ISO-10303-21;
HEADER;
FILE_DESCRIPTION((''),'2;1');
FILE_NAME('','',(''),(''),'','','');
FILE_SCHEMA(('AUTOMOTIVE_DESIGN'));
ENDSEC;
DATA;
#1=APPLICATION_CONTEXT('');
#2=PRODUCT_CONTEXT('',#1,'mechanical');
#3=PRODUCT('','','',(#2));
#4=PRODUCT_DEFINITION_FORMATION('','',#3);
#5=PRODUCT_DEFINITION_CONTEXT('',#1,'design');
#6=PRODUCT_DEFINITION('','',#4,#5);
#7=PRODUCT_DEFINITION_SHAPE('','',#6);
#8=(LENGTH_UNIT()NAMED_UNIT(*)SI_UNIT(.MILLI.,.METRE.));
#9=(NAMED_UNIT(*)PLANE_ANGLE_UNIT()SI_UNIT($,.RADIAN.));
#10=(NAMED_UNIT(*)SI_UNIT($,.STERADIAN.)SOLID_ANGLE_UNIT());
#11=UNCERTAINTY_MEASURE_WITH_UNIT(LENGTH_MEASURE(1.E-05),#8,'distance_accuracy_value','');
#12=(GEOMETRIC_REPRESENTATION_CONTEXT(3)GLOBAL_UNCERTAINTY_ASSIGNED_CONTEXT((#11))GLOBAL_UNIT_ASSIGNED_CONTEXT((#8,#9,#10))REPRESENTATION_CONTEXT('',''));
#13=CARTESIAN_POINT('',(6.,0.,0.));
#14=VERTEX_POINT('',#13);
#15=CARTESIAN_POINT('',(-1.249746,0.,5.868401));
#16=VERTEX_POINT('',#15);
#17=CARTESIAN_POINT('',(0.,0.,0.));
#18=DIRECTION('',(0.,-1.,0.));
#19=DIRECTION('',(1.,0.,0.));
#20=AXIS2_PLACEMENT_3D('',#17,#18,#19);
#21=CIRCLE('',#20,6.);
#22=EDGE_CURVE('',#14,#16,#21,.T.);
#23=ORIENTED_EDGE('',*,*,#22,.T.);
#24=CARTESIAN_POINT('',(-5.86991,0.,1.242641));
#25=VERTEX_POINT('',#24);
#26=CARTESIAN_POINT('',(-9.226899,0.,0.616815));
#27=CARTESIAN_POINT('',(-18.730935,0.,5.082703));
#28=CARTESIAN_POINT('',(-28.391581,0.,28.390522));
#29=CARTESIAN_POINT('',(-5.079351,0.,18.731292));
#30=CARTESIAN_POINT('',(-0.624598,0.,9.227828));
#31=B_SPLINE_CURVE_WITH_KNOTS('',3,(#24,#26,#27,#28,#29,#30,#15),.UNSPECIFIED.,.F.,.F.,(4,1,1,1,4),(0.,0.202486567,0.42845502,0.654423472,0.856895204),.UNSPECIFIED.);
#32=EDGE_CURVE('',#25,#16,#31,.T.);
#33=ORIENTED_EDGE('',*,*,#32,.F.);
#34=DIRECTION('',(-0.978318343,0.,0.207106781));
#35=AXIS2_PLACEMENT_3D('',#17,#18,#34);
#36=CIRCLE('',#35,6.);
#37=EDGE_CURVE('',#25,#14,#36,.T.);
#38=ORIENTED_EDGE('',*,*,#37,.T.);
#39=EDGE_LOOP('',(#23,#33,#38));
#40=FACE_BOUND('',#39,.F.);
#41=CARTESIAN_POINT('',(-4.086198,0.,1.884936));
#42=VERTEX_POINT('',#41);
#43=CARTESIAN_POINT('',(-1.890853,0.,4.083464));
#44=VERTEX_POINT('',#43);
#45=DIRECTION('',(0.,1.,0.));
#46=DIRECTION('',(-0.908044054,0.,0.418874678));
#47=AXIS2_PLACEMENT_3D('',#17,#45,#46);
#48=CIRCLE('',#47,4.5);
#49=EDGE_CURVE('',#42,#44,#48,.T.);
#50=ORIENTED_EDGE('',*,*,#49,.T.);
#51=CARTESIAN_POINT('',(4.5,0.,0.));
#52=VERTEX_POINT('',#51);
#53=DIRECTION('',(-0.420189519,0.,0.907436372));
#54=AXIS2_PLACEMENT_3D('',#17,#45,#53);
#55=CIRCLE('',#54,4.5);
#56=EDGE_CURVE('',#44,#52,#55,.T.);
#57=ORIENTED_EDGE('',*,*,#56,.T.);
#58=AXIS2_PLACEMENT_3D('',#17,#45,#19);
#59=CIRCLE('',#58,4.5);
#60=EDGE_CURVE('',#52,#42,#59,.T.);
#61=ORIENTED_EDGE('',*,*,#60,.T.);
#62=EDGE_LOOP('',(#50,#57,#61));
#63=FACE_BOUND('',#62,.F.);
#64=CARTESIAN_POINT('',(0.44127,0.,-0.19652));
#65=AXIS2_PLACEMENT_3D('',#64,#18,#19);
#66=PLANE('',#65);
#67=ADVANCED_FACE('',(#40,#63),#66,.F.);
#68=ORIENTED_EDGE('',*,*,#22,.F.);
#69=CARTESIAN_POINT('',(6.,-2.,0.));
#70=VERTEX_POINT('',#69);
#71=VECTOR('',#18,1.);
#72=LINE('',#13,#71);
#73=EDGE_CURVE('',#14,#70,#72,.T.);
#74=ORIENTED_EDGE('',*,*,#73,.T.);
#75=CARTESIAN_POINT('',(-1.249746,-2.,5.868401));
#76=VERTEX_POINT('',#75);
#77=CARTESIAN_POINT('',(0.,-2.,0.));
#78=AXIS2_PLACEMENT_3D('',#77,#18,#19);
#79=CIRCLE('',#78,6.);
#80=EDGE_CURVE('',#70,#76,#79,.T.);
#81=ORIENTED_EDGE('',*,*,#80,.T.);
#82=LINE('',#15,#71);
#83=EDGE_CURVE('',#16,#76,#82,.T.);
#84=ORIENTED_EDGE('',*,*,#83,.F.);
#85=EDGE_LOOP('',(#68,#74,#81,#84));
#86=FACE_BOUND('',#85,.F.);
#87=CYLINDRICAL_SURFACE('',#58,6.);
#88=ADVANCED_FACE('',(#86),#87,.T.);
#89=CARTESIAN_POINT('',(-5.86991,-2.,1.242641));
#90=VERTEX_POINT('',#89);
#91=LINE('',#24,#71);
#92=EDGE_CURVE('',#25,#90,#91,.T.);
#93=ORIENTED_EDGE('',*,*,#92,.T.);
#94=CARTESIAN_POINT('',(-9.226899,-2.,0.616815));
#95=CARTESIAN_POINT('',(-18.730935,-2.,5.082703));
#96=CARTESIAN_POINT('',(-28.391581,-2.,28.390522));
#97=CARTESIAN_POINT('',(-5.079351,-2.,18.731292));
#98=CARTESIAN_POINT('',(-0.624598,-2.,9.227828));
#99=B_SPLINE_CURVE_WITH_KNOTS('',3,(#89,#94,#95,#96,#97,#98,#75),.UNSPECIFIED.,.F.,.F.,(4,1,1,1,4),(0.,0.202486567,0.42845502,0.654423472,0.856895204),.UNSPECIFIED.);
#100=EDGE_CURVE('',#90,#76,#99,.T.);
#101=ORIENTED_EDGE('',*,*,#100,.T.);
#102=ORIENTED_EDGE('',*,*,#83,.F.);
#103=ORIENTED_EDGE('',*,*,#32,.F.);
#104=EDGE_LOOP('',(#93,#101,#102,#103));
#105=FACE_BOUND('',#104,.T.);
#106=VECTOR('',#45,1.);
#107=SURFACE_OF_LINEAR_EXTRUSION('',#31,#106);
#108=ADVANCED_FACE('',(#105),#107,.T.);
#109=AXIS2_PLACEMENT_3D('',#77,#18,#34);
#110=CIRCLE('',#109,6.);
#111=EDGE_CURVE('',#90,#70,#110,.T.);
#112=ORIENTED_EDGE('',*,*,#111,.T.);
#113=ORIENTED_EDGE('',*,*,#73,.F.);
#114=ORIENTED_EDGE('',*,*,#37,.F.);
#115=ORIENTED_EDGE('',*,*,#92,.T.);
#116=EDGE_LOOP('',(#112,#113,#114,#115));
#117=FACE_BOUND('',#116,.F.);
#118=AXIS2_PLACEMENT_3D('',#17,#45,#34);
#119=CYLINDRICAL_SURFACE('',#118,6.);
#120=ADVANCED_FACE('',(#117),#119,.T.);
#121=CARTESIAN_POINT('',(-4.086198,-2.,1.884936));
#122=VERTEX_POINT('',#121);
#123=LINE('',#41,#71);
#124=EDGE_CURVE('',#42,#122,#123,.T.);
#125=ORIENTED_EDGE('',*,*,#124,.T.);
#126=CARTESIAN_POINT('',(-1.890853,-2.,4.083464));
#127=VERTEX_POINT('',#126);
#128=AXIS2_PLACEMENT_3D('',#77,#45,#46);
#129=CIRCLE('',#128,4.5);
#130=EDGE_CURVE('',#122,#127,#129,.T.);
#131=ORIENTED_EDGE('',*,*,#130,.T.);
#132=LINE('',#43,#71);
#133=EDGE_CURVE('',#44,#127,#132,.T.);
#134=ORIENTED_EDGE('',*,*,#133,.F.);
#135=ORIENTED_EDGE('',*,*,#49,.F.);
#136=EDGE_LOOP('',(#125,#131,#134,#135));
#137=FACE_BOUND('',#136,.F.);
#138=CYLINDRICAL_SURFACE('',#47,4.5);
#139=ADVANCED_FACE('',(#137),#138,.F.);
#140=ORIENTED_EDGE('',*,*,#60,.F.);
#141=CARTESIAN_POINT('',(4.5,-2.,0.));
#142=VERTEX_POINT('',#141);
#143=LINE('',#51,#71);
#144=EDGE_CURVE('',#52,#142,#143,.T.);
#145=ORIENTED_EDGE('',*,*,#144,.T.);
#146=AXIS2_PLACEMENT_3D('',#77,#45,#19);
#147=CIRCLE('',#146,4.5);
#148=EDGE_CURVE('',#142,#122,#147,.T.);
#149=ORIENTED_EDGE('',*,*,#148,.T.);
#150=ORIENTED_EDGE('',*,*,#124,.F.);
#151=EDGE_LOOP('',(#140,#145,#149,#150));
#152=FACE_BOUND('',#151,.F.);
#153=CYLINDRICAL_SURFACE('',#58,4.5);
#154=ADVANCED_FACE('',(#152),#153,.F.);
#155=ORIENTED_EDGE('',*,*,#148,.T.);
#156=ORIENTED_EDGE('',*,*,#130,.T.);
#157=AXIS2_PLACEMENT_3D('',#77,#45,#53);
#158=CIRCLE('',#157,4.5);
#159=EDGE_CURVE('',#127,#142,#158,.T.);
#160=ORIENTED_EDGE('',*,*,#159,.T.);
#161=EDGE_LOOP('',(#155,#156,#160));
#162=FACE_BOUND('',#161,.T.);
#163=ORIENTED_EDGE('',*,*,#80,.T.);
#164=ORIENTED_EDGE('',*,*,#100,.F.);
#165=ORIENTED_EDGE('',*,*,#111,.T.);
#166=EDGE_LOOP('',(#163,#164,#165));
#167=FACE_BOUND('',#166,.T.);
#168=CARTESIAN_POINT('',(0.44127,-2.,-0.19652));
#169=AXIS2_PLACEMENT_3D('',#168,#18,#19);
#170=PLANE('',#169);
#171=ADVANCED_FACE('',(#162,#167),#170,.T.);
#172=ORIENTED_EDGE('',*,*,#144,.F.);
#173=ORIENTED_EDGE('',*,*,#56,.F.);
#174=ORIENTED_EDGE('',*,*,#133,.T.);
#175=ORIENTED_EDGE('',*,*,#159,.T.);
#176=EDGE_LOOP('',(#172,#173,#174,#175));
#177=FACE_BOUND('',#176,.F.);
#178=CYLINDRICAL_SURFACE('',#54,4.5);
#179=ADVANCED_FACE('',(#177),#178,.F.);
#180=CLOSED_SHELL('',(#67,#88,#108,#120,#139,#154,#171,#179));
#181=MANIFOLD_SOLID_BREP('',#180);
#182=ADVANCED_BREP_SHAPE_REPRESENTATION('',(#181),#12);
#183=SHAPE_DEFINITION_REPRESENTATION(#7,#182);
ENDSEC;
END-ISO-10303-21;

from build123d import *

# Parameters (mm, degrees)
F1_DEPTH = 2


with BuildPart() as f1:
    # F0 (on Front) → F1 (new body)
    with BuildSketch(Plane.XZ):
        with BuildLine():
            ThreePointArc((-1.8908528339, 4.083463672), (2.4229282126, 3.7920204214), (4.5, 0))
            ThreePointArc((4.5, 0), (-0.9649113698, -4.3953323024), (-4.0861982438, 1.88493605))
            add(Edge.make_bspline(
                [(-4.0861982438, 1.88493605), (-4.6288817571, 1.5815505444), (-5.2286987053, 1.3621783459), (-5.8699100609, 1.2426406871)],
                knots=[0.9613234678, 0.9613234678, 0.9613234678, 0.9613234678, 1, 1, 1, 1], degree=3))
            ThreePointArc((-5.8699100609, 1.2426406871), (-0.6247157893, -5.9673888915), (6, 0))
            ThreePointArc((6, 0), (3.7750180605, 4.6636078997), (-1.2497462142, 5.8684013496))
            add(Edge.make_bspline(
                [(-1.2497462142, 5.8684013496), (-1.3691246524, 5.2268848968), (-1.5880681115, 4.6266370433), (-1.8908528339, 4.083463672)],
                knots=[0.8568952038, 0.8568952038, 0.8568952038, 0.8568952038, 0.8955592239, 0.8955592239, 0.8955592239, 0.8955592239], degree=3))
        make_face()
        with BuildLine():
            ThreePointArc((-4.0861982438, 1.88493605), (-3.1842841931, 3.1796751685), (-1.8908528339, 4.083463672))
            add(Edge.make_bspline(
                [(-1.2497462142, 5.8684013496), (-1.3691246524, 5.2268848968), (-1.5880681115, 4.6266370433), (-1.8908528339, 4.083463672)],
                knots=[0.8568952038, 0.8568952038, 0.8568952038, 0.8568952038, 0.8955592239, 0.8955592239, 0.8955592239, 0.8955592239], degree=3))
            ThreePointArc((-1.2497462142, 5.8684013496), (-4.245208098, 4.2400717216), (-5.8699100609, 1.2426406871))
            add(Edge.make_bspline(
                [(-4.0861982438, 1.88493605), (-4.6288817571, 1.5815505444), (-5.2286987053, 1.3621783459), (-5.8699100609, 1.2426406871)],
                knots=[0.9613234678, 0.9613234678, 0.9613234678, 0.9613234678, 1, 1, 1, 1], degree=3))
        make_face()
        with BuildLine():
            ThreePointArc((-5.8699100609, 1.2426406871), (-4.245208098, 4.2400717216), (-1.2497462142, 5.8684013496))
            add(Edge.make_bspline(
                [(-5.8699100609, 1.2426406871), (-9.2268988882, 0.6168149256), (-18.7309347957, 5.082703276), (-28.3915813767, 28.3905215152), (-5.079350829, 18.7312919984), (-0.6245975873, 9.2278281905), (-1.2497462142, 5.8684013496)],
                knots=[0, 0, 0, 0, 0.2024865673, 0.4284550198, 0.6544234723, 0.8568952038, 0.8568952038, 0.8568952038, 0.8568952038], degree=3))
        make_face()
    extrude(amount=F1_DEPTH)


solid = f1.part
